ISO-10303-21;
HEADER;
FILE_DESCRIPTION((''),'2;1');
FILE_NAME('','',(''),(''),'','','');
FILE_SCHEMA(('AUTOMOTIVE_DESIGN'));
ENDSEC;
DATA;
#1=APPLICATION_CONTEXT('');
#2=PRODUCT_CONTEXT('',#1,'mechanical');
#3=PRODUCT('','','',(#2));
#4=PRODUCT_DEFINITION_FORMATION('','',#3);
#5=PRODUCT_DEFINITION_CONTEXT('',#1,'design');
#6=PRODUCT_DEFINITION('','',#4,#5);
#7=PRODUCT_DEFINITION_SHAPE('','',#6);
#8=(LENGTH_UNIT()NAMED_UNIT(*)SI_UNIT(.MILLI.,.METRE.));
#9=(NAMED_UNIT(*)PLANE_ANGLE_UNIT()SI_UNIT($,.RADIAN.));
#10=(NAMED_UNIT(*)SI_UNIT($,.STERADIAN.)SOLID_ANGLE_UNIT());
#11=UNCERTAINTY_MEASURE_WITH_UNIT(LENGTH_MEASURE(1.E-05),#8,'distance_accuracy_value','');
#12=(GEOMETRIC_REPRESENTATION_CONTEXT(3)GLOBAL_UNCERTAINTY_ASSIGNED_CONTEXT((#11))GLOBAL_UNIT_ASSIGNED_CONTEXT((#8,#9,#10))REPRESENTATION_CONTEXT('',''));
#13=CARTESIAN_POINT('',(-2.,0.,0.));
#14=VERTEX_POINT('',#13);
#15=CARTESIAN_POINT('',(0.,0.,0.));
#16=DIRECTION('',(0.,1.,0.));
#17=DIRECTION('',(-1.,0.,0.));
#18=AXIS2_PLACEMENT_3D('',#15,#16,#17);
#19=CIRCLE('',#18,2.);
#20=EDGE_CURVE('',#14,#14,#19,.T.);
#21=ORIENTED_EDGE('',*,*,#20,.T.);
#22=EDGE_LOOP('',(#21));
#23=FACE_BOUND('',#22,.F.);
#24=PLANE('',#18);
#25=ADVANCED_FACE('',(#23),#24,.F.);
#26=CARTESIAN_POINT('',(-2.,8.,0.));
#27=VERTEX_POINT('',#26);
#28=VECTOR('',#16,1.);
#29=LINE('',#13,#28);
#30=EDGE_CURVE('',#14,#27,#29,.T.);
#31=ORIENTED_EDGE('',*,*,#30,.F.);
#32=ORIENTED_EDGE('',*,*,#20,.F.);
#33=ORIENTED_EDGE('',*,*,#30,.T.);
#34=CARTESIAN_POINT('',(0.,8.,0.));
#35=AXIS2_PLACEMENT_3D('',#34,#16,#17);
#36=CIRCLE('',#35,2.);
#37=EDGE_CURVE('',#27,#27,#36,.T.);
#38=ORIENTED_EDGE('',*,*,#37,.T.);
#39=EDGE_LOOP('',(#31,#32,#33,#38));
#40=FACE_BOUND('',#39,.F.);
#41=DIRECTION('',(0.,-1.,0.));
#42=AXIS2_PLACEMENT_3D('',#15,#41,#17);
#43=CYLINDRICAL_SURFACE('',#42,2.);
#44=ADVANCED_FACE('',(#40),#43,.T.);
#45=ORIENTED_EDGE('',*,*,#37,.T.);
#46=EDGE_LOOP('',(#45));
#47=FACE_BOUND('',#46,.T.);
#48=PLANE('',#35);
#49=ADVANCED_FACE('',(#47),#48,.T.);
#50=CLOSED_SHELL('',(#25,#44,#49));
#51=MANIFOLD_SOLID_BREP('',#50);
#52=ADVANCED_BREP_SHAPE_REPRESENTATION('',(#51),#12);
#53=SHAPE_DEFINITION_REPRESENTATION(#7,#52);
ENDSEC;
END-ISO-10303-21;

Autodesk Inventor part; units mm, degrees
ref_plane "YZ Plane" through (0, 0, 0) normal (1, 0, 0) x (0, 1, 0)
ref_plane "XZ Plane" through (0, 0, 0) normal (0, 1, 0) x (-1, 0, 0)
ref_plane "XY Plane" through (0, 0, 0) normal (0, 0, 1) x (1, 0, 0)
sketch "Szkic1" plane through (0, 0, 0) normal (0, 1, 0) x (-1, 0, 0)
  circle A0 centre (0, 0) radius 2
  dimension "d0" = 4
extrude "Wyciągnięcie proste1" add sketch "Szkic1" along normal blind 8
equation "\"d0\" = carbon_brush_batt_d"
equation "\"d1\" = carbon_brush_batt_h"
equation "\"insert_m2_d\" = 2.9"
equation "\"insert_m2_h\" = 7"
equation "\"insert_m2_corner\" = 0.5"
equation "\"insert_m2_pocket_d\" = 2.6"
equation "\"insert_m2_pocket_D\" = 4.5"
equation "\"insert_m2_pocket_nut_h\" = 1.5"
equation "\"stator_r_out\" = 30.15"
equation "\"stator_out_d\" = 3.2"
equation "\"stator_h\" = 45"
equation "\"stator_radial_screw_d\" = 4"
equation "\"stator_radial_screw_pos\" = 4"
equation "\"mag_size_x\" = 7"
equation "\"mag_size_y\" = 3"
equation "\"mag_corner_r\" = 0.4"
equation "\"magnet_ring_r\" = 26.95"
equation "\"magnet_ring_d\" = 3.3"
equation "\"magnet_ring_h\" = 36"
equation "\"magnet_ring_pocket_mag_size_x\" = 7.1"
equation "\"magnet_ring_pocket_mag_size_y\" = 3.1"
equation "\"magnet_ring_pocket_mag_size_z\" = 10.1"
equation "\"magnet_ring_pocket_radial_cut\" = 1.4"
equation "\"magnet_ring_insert_part_lengthen\" = 8"
equation "\"magnet_ring_insert_part_axial_flat_cut\" = 0.17"
equation "\"magnet_ring_insert_pos\" = 4"
equation "\"casing_d\" = 3"
equation "\"casing_r_in\" = 30.15"
equation "\"casing_lock_hole_r\" = 14.25"
equation "\"casing_lock_h\" = 8"
equation "\"casing_stator_fix_r\" = 23"
equation "\"casing_stator_fix_h\" = 6"
equation "\"casing_sidebar_length\" = 3"
equation "\"casing_vent_hole_length\" = 4"
equation "\"casing_vent_hole_width\" = 6"
equation "\"casing_head_insert_r\" = 19"
equation "\"casing_radial_stator_insert_pos\" = 18.1"
equation "\"rotor_out_r\" = 22.5"
equation "\"rotor_coil_groove_in_r\" = 17"
equation "\"rotor_coil_groove_ang\" = 18deg"
equation "\"rotor_core_r\" = 14.97"
equation "\"rotor_coil_groove_in_correction_r\" = 18"
equation "\"rotor_plastic_h\" = 32"
equation "\"rotor_teeth_d\" = 1.5"
equation "\"rotor_plastic_insert_r\" = 37"
equation "\"shaft_d\" = 8"
equation "\"shaft_lock_1_d\" = 8.1"
equation "\"shaft_lock_1_D\" = 44"
equation "\"shaft_lock_1_h1\" = 3.5"
equation "\"shaft_lock_1_corner\" = 2"
equation "\"shaft_lock_1_rotor_insert_grove_d_in\" = 36"
equation "\"shaft_lock_1_rotor_insert_grove_width_out\" = 5.5"
equation "\"shaft_lock_1_rotor_insert_grove_width_in\" = 7.6"
equation "\"shaft_lock_1_rotor_insert_r\" = 37"
equation "\"shaft_lock_1_shaft_insert_axial_cut_out_width\" = 12"
equation "\"shaft_lock_1_shaft_insert_axial_cut_in_width\" = 5.4"
equation "\"shaft_lock_1_shaft_insert_pos\" = 2.5"
equation "\"shaft_lock_1_shaft_insert_corner\" = 2"
equation "\"shaft_lock_1_shaft_insert_corner_finish\" = 0.5"
equation "\"shaft_lock_2_d\" = 8.1"
equation "\"shaft_lock_2_D\" = 44"
equation "\"shaft_lock_2_h1\" = 3.5"
equation "\"shaft_lock_2_corner\" = 2"
equation "\"shaft_lock_2_rotor_insert_grove_d_in\" = 36"
equation "\"shaft_lock_2_rotor_insert_grove_width_out\" = 5.5"
equation "\"shaft_lock_2_rotor_insert_grove_width_in\" = 7.6"
equation "\"shaft_lock_2_rotor_insert_r\" = 37"
equation "\"shaft_lock_2_shaft_insert_axial_cut_out_width\" = 12"
equation "\"shaft_lock_2_shaft_insert_axial_cut_in_width\" = 5.4"
equation "\"shaft_lock_2_shaft_insert_pos\" = 2.5"
equation "\"shaft_lock_2_shaft_insert_corner\" = 2"
equation "\"shaft_lock_2_shaft_insert_corner_finish\" = 0.5"
equation "\"commutator_plastic_shaft_d\" = 8.1"
equation "\"commutator_plastic_h\" = 17"
equation "\"commutator_plastic_insert_cut_deepness\" = 0.5"
equation "\"commutator_plastic_insert_cut_length\" = 6"
equation "\"commutator_plastic_insert_pos\" = 3"
equation "\"commutator_plate_D\" = 22"
equation "\"commutator_plate_d\" = 1"
equation "\"commutator_plate_ang\" = 55deg"
equation "\"commutator_plate_h\" = 17"
equation "\"commutator_plate_insert_pos\" = 3"
equation "\"sleeve_in_r\" = 11.1"
equation "\"sleeve_d\" = 3"
equation "\"sleeve_h\" = 7"
equation "\"sleeve_cup_r\" = 22"
equation "\"sleeve_cup_h\" = 4.5"
equation "\"sleeve_head_insert_r\" = 19"
equation "\"rotor_sleeve_in_D\" = 8.15"
equation "\"rotor_sleeve_out_D\" = 10.5"
equation "\"rotor_sleeve_h\" = 32"
equation "\"carbon_brush_batt_h\" = 8"
equation "\"carbon_brush_batt_d\" = 4"
equation "\"brush_cart_outer_holder_width\" = 5.5"
equation "\"brush_cart_outer_holder_arc_r\" = 33.15"
equation "\"brush_cart_outer_holder_arc_pos\" = 1.5"
equation "\"casing_cart_hole_corner\" = 1"
equation "\"casing_cart_hole_width\" = 2.6"
equation "\"casing_cart_hole_ang\" = 90deg"
equation "\"brush_holder_batt_arc_r\" = 30.15"
equation "\"brush_holder_batt_width\" = 16"
equation "\"brush_holder_batt_insert_flat_length\" = 6"
equation "\"brush_holder_batt_insert_flat_depth\" = 6"
equation "\"brush_holder_batt_insert_flat_width\" = 2"
equation "\"brush_holder_batt_brush_hole_d\" = 4.5"
equation "\"casing_backsleeve_insert_pos\" = 4.9"
equation "\"casing_cart_hole_pos\" = 17"
equation "\"casing_sleeve_cut_d\" = 46"
equation "\"casing_sleeve_cut_h\" = 4"
equation "\"name_plate_D\" = 45"
equation "\"name_plate_d\" = 28"
equation "\"name_plate_insert_r\" = 19"
equation "\"sleeve_bearing_material_lock_h\" = 2"
equation "\"back_sleeve_D\" = 66"
equation "\"back_sleeve_d\" = 22.2"
equation "\"back_sleeve_h\" = 5"
equation "\"commutator_back_plate_lock_h\" = 2"
equation "\"commutator_back_plate_lock_r\" = 23"
equation "\"commutator_plastic_back_plate_lock_r\" = 11.9"
equation "\"commutator_plastic_back_plate_lock_h\" = 1"
equation "\"commutator_plastic_back_plate_hook_in_r\" = 11.15"
equation "\"commutator_plastic_back_plate_hook_d\" = 1"
properties part number "carbon_brush_batt"
